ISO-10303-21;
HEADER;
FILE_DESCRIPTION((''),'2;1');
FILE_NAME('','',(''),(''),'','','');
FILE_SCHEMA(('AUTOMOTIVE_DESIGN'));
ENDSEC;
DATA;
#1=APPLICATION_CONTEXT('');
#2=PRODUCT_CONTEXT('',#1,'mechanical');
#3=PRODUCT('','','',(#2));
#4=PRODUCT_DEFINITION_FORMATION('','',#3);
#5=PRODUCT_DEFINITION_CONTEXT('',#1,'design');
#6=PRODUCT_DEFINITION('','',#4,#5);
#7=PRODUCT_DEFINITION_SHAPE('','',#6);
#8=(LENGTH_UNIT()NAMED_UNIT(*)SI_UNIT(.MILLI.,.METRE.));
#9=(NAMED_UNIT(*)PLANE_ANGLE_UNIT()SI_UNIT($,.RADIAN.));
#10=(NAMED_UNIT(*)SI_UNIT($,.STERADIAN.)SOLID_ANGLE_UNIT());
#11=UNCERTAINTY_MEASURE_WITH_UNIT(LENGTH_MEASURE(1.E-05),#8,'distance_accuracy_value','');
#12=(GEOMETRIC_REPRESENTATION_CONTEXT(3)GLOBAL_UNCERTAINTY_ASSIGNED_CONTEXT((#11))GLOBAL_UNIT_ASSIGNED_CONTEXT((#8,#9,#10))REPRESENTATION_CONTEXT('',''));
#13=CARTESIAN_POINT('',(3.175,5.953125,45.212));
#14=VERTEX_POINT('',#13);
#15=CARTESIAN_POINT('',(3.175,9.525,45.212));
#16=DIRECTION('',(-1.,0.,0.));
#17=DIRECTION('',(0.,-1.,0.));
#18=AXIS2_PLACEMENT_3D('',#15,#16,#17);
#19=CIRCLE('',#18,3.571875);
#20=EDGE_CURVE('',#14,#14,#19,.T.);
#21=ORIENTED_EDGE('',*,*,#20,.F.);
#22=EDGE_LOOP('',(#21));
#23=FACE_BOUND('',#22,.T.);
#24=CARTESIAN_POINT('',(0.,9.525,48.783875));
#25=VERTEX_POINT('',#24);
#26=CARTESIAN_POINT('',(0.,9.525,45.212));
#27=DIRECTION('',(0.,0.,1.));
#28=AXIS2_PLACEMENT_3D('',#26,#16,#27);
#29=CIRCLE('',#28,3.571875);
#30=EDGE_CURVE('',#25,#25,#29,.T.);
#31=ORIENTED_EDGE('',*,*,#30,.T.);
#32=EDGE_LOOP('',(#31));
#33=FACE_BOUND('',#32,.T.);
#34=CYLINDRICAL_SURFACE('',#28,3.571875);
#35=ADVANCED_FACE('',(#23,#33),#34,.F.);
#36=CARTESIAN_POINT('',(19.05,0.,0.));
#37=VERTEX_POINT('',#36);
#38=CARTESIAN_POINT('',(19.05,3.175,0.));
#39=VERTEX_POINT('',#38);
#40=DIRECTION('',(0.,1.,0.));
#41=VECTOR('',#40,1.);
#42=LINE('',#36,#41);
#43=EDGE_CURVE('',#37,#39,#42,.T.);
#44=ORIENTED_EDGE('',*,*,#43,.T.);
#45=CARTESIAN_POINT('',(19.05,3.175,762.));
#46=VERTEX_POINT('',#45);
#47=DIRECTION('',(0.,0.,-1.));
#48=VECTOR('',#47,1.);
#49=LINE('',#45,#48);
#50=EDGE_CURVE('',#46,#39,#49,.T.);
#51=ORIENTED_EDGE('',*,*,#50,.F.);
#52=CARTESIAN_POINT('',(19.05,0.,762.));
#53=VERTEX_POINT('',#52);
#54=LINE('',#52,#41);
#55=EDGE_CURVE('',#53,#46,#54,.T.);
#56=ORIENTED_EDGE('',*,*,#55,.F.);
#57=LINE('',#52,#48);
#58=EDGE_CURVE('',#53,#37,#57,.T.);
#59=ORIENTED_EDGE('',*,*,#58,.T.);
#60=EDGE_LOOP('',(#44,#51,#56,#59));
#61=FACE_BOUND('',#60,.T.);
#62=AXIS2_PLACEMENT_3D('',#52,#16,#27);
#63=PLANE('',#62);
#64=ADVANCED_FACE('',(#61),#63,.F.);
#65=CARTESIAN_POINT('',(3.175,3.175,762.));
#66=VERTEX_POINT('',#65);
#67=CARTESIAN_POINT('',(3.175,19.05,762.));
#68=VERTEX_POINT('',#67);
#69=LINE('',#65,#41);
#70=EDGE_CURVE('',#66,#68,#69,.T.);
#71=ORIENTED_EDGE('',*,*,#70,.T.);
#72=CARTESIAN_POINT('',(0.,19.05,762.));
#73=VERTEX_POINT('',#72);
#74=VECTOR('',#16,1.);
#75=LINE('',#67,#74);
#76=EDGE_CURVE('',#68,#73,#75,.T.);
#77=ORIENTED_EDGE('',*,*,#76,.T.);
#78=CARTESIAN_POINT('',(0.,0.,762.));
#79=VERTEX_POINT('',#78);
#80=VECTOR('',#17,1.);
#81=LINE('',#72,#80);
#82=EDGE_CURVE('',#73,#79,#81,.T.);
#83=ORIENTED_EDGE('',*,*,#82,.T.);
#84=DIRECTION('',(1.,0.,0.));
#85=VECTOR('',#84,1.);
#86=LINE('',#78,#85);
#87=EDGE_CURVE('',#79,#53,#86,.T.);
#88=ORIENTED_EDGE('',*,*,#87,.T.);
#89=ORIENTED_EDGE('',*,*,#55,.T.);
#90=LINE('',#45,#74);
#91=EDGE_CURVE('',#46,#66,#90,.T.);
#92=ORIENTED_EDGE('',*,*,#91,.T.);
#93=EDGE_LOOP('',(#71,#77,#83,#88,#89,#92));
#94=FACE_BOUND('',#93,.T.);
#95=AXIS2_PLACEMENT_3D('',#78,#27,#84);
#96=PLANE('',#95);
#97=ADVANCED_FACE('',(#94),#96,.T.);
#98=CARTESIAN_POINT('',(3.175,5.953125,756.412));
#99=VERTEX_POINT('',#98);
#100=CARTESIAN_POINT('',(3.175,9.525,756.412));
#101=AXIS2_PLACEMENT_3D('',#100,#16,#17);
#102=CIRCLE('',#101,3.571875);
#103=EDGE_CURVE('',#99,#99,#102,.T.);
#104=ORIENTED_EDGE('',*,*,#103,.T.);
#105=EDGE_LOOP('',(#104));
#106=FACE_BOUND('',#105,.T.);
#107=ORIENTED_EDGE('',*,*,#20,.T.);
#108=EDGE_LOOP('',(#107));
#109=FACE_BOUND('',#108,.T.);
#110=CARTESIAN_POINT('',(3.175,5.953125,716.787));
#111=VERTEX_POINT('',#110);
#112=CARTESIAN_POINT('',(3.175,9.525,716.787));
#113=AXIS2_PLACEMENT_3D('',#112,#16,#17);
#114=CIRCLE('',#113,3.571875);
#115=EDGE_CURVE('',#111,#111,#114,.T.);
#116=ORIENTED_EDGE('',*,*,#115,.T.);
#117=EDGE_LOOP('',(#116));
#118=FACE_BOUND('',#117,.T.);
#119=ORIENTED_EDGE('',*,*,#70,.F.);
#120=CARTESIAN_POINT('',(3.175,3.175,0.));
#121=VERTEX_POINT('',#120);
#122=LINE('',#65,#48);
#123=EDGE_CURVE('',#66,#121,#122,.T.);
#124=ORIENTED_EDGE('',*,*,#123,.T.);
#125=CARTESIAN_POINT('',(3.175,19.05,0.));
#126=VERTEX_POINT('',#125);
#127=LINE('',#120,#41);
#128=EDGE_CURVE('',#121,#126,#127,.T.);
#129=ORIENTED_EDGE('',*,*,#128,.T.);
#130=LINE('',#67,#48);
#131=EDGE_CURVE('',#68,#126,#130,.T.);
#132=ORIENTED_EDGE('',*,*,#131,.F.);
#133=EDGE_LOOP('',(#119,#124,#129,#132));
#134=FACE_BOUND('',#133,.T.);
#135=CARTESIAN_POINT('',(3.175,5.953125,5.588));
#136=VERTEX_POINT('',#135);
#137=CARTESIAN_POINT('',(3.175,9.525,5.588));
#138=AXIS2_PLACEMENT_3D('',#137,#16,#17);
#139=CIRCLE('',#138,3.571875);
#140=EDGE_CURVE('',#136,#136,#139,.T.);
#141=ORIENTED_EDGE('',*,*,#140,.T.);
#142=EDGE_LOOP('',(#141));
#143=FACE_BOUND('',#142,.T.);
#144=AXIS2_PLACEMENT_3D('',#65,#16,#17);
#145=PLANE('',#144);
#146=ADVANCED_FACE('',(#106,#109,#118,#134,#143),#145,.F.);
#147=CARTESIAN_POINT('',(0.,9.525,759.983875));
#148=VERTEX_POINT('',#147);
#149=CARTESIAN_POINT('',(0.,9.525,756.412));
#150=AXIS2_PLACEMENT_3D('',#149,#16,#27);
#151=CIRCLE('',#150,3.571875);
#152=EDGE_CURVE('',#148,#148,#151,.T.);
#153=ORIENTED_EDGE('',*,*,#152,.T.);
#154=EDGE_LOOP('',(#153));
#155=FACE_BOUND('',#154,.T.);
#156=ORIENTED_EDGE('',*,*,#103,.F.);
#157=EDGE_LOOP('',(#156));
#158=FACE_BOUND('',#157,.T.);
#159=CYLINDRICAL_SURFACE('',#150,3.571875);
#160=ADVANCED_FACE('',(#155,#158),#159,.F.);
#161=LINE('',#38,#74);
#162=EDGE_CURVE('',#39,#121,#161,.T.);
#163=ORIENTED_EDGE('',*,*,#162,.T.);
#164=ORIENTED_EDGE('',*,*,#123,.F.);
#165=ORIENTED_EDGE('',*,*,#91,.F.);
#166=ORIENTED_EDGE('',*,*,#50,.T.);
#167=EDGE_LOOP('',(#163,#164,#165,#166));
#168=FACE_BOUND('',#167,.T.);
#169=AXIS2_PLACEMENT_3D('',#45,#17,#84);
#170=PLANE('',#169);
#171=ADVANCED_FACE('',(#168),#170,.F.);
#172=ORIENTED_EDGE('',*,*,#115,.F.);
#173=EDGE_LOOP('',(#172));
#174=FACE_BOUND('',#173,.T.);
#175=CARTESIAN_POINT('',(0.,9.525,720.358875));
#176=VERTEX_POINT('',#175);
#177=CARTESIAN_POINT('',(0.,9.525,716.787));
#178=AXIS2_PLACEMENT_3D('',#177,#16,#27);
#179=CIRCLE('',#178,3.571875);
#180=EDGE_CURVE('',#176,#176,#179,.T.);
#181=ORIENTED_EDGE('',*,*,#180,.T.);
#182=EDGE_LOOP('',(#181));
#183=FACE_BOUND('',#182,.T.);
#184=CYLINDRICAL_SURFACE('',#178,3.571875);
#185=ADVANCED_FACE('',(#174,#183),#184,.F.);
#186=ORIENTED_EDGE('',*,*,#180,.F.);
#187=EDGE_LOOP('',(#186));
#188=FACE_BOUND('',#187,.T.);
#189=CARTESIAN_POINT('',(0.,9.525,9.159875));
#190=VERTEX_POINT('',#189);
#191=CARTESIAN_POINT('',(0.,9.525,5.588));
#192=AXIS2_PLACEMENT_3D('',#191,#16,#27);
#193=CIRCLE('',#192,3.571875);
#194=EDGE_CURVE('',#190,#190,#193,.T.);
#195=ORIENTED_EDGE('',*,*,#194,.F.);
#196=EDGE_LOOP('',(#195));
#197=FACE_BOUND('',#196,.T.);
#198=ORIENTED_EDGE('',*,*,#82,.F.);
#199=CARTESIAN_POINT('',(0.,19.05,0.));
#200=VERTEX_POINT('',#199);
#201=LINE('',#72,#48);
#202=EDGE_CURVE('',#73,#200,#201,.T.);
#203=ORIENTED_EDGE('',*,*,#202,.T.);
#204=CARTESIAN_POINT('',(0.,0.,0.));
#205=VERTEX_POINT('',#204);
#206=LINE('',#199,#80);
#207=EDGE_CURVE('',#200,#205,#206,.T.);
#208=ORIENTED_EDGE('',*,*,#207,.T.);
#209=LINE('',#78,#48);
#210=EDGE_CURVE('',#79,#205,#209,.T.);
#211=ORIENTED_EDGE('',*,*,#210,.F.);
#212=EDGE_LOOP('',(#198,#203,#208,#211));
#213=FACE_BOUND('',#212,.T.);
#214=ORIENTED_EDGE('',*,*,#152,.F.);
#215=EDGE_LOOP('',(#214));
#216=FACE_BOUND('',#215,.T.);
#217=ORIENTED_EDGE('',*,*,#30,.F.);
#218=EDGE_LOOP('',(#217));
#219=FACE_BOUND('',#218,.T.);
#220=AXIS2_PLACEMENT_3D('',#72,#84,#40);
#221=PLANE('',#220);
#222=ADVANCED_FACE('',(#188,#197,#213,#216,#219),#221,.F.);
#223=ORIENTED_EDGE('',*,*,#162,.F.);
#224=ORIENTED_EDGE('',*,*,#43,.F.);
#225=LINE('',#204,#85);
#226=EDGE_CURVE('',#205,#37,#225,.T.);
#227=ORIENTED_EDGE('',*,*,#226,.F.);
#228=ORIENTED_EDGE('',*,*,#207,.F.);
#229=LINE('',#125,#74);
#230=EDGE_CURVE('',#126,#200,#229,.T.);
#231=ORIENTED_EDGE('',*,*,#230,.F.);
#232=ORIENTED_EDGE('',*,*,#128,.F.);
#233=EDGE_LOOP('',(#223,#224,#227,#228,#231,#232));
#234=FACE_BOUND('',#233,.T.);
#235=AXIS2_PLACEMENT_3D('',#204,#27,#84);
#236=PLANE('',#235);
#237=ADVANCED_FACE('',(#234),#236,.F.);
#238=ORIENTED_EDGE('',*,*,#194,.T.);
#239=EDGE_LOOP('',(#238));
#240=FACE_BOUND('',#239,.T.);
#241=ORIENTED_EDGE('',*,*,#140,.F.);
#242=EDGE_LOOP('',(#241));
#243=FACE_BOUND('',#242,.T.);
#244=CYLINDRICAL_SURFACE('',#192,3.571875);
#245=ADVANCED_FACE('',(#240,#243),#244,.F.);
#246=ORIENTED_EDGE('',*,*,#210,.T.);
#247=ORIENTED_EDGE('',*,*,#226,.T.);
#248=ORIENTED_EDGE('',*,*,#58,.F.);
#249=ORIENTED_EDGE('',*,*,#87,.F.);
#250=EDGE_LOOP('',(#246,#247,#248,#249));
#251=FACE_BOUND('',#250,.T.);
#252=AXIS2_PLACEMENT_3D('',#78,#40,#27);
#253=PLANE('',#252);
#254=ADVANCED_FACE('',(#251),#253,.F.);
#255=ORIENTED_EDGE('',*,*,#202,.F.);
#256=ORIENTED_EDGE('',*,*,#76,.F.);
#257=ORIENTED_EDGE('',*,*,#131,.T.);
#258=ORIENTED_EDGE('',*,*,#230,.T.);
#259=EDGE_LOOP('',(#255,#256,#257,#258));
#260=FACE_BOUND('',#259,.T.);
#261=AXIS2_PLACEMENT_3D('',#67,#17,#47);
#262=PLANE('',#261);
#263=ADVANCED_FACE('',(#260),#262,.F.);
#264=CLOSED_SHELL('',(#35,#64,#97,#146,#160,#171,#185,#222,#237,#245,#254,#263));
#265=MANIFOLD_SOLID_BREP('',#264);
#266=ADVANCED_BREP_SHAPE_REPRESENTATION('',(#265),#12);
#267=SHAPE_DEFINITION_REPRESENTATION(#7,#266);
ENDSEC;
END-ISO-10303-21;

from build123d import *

# Parameters (mm, degrees)
BOSS_EXTRUDE1_DEPTH             = 762
F_9_32_0_28125_DIAMETER_HOLE1_D = 7.14375


with BuildPart() as part:
    # Sketch1 → Boss-Extrude1 (new body)
    with BuildSketch(Plane.XY):
        Polygon((0, 0), (19.05, 0), (19.05, 3.175), (3.175, 3.175), (3.175, 19.05), (0, 19.05), align=None)
    extrude(amount=BOSS_EXTRUDE1_DEPTH)

    # 9/32 (0.28125) Diameter Hole1 (through all)
    with Locations(Plane(origin=(0, 9.525, 5.588), x_dir=(0, -1, 0), z_dir=(-1, 0, 0))):
        with Locations((0, 0), (0, 39.624), (0, 711.199), (0, 750.824)):
            Hole(F_9_32_0_28125_DIAMETER_HOLE1_D / 2)


solid = part.part
